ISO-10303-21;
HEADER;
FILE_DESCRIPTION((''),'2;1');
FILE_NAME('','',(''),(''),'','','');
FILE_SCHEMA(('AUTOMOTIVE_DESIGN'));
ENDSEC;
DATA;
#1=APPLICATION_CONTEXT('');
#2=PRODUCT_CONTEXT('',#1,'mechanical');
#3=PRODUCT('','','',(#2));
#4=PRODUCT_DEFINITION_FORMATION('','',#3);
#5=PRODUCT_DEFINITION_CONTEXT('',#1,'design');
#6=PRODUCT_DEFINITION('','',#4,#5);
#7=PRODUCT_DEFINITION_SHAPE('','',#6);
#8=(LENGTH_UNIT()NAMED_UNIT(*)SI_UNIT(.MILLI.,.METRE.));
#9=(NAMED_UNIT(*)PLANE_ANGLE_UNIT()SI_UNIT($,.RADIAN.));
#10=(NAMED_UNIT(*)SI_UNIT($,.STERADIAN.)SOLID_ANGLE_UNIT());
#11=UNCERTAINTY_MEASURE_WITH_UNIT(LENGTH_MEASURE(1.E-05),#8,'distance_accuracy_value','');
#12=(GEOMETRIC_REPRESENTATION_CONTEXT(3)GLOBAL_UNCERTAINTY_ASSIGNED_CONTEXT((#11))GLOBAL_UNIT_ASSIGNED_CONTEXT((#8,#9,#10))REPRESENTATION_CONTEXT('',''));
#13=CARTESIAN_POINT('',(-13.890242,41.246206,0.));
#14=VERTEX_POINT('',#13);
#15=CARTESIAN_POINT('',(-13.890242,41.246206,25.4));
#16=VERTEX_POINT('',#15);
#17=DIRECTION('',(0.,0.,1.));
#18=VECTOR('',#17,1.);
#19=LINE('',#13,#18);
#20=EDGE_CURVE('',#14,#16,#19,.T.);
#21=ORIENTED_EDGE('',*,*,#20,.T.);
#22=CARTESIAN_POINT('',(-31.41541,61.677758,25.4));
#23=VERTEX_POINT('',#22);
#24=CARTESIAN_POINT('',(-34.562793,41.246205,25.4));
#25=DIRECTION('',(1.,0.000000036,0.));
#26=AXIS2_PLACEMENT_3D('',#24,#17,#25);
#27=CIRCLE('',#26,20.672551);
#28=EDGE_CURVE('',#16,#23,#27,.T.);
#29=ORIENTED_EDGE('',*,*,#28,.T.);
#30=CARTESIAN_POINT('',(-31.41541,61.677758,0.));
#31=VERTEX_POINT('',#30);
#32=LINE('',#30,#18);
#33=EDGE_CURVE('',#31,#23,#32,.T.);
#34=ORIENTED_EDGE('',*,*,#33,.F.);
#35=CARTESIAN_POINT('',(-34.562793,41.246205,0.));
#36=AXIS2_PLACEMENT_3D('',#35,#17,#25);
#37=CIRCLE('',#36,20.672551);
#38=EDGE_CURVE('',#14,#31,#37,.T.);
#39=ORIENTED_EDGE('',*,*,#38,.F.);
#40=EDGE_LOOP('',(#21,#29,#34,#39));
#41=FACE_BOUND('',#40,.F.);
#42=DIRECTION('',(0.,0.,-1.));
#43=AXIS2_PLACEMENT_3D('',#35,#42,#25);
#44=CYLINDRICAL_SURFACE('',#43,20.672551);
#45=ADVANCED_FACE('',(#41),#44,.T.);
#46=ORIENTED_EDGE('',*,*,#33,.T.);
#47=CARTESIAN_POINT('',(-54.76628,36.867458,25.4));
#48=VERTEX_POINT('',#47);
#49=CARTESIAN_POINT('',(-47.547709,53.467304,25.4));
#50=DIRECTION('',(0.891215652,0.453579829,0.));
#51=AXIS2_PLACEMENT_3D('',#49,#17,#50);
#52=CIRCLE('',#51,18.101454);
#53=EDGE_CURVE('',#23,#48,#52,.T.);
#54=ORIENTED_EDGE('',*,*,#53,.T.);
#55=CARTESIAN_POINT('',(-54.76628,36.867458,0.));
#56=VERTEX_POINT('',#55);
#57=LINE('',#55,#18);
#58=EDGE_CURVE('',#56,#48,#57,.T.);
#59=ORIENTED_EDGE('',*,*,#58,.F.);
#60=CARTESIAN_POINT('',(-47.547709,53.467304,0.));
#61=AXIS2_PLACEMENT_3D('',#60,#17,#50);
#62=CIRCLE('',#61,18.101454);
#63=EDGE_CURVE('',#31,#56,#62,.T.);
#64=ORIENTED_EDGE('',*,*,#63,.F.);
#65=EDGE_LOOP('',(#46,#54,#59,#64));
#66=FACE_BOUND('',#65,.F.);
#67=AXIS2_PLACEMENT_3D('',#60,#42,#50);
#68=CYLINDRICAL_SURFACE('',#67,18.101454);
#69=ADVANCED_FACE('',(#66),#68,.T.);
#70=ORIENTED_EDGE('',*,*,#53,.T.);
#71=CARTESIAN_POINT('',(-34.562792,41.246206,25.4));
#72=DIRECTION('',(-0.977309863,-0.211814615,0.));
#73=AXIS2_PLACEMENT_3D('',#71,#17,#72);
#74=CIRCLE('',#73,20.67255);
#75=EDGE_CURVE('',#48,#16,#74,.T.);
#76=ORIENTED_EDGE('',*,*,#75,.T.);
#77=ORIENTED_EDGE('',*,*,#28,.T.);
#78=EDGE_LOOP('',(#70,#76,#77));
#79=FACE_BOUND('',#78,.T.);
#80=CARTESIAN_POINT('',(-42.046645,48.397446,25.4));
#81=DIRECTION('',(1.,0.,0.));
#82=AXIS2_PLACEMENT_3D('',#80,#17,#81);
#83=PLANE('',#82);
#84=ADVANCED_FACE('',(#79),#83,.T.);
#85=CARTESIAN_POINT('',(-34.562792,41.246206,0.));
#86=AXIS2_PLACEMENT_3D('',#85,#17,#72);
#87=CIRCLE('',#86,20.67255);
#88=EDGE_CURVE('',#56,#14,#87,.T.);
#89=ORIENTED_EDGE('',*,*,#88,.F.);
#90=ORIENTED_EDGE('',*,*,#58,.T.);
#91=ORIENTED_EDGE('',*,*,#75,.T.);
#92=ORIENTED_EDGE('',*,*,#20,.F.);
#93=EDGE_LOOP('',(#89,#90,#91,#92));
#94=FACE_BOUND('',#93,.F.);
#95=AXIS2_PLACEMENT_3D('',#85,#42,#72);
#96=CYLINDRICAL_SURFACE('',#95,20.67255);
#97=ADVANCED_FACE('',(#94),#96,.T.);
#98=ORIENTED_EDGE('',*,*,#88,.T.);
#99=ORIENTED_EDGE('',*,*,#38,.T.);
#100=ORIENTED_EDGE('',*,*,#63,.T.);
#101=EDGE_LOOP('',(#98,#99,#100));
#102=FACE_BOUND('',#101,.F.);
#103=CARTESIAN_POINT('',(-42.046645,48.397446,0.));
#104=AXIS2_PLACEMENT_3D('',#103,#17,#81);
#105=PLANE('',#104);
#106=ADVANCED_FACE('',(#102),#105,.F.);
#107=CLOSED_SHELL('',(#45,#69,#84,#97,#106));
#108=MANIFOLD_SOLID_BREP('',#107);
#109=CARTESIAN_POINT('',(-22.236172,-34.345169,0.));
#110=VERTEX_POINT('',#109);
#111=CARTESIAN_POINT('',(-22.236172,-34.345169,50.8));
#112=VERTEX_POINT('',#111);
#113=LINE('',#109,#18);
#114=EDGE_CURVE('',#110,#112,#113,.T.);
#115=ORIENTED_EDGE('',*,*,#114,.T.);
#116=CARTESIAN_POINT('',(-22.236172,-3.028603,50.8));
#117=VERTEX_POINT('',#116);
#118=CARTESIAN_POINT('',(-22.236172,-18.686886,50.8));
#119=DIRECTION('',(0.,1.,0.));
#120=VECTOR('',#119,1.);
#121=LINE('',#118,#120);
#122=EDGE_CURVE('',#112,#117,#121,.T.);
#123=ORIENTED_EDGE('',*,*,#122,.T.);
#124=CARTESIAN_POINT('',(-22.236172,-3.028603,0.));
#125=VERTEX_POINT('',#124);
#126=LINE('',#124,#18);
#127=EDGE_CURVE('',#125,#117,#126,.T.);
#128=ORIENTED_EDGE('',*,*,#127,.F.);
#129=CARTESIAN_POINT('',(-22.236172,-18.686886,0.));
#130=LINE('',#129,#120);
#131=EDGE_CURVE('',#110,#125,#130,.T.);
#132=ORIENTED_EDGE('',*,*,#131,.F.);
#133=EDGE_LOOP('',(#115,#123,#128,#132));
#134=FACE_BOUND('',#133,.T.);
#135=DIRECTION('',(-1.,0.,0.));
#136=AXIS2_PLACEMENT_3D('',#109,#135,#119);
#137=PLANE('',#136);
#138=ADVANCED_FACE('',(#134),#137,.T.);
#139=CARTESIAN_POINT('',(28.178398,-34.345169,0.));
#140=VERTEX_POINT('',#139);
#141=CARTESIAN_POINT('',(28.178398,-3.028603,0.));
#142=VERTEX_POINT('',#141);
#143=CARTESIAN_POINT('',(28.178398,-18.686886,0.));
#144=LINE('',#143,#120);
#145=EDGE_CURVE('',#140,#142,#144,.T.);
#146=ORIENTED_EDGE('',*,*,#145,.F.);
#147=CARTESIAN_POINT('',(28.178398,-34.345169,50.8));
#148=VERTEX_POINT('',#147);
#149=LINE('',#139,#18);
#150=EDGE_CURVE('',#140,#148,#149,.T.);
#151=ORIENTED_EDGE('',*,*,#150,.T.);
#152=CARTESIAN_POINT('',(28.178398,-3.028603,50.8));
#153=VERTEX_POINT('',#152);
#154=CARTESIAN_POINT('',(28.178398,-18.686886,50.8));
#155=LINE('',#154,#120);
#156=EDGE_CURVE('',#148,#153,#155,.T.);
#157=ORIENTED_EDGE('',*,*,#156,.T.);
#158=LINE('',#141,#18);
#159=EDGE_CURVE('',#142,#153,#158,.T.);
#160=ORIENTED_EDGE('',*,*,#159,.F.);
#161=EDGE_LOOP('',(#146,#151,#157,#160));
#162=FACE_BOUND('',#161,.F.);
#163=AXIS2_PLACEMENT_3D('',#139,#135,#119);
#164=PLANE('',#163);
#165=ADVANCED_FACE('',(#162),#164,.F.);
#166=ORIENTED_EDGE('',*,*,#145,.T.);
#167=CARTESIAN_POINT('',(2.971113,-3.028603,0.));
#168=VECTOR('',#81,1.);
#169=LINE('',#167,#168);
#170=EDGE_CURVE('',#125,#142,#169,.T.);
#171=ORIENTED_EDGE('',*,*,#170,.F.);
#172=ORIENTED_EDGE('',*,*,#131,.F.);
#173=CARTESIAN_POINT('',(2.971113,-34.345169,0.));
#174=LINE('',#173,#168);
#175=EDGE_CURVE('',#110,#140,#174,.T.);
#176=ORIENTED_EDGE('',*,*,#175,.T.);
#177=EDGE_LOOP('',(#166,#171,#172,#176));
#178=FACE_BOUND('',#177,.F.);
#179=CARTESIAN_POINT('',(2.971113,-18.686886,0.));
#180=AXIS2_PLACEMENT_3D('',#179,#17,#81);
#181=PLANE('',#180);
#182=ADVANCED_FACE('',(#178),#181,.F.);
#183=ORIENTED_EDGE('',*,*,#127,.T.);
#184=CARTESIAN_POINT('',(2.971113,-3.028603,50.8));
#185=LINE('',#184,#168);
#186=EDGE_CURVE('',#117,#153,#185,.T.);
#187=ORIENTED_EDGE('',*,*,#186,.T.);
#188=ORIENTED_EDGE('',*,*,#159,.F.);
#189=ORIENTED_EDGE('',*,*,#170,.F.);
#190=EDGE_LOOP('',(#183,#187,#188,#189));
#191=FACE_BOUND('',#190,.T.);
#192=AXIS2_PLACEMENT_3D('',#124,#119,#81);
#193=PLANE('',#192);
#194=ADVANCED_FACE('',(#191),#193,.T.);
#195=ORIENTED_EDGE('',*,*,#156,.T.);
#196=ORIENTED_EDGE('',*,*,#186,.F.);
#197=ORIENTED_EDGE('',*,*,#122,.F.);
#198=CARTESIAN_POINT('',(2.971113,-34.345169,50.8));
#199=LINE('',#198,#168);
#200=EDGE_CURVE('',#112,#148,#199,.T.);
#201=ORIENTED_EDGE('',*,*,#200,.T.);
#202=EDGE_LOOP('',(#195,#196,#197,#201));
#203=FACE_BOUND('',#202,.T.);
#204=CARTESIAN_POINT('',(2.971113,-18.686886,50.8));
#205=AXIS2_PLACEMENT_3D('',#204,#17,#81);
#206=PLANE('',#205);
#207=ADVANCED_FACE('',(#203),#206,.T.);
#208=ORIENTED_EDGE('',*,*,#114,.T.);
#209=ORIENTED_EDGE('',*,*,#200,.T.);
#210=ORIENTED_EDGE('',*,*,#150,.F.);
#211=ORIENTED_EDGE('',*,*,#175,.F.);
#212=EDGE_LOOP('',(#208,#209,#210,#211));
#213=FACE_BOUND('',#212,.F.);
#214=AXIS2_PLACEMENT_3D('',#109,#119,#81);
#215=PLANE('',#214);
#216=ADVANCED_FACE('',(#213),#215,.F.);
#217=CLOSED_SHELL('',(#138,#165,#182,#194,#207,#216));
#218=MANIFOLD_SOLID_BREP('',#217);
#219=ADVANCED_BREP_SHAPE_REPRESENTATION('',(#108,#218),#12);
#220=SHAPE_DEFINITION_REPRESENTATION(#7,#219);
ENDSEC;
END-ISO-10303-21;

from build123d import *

# Parameters (mm, degrees)
F1_DEPTH = 25.4
F2_W     = 50.41457
F2_H     = 31.316566
F3_DEPTH = 50.8


with BuildPart() as f1:
    # F0 (on Top) → F1 (new body)
    with BuildSketch(Plane.XY):
        with BuildLine():
            ThreePointArc((-54.76628, 36.867458), (-37.623093, 38.329119), (-29.446255, 53.467304))
            ThreePointArc((-29.446255, 53.467304), (-29.945427, 57.688948), (-31.41541, 61.677758))
            ThreePointArc((-31.41541, 61.677758), (-49.616544, 55.414442), (-54.76628, 36.867458))
        make_face()
        with BuildLine():
            ThreePointArc((-31.41541, 61.677758), (-29.945427, 57.688948), (-29.446255, 53.467304))
            ThreePointArc((-29.446255, 53.467304), (-37.623093, 38.329119), (-54.76628, 36.867458))
            ThreePointArc((-54.76628, 36.867458), (-32.360893, 20.691256), (-13.890242, 41.246206))
            ThreePointArc((-13.890242, 41.246206), (-18.871732, 54.705216), (-31.41541, 61.677758))
        make_face()
        with BuildLine():
            ThreePointArc((-54.76628, 36.867458), (-49.616544, 55.414442), (-31.41541, 61.677758))
            ThreePointArc((-31.41541, 61.677758), (-60.729188, 65.873401), (-54.76628, 36.867458))
        make_face()
    extrude(amount=F1_DEPTH)


with BuildPart() as f3:
    # F2 (on Top) → F3 (new body)
    with BuildSketch(Plane.XY):
        with Locations((2.971113, -18.686886)):
            Rectangle(F2_W, F2_H)
    extrude(amount=F3_DEPTH)


solid = Compound([f1.part, f3.part])
